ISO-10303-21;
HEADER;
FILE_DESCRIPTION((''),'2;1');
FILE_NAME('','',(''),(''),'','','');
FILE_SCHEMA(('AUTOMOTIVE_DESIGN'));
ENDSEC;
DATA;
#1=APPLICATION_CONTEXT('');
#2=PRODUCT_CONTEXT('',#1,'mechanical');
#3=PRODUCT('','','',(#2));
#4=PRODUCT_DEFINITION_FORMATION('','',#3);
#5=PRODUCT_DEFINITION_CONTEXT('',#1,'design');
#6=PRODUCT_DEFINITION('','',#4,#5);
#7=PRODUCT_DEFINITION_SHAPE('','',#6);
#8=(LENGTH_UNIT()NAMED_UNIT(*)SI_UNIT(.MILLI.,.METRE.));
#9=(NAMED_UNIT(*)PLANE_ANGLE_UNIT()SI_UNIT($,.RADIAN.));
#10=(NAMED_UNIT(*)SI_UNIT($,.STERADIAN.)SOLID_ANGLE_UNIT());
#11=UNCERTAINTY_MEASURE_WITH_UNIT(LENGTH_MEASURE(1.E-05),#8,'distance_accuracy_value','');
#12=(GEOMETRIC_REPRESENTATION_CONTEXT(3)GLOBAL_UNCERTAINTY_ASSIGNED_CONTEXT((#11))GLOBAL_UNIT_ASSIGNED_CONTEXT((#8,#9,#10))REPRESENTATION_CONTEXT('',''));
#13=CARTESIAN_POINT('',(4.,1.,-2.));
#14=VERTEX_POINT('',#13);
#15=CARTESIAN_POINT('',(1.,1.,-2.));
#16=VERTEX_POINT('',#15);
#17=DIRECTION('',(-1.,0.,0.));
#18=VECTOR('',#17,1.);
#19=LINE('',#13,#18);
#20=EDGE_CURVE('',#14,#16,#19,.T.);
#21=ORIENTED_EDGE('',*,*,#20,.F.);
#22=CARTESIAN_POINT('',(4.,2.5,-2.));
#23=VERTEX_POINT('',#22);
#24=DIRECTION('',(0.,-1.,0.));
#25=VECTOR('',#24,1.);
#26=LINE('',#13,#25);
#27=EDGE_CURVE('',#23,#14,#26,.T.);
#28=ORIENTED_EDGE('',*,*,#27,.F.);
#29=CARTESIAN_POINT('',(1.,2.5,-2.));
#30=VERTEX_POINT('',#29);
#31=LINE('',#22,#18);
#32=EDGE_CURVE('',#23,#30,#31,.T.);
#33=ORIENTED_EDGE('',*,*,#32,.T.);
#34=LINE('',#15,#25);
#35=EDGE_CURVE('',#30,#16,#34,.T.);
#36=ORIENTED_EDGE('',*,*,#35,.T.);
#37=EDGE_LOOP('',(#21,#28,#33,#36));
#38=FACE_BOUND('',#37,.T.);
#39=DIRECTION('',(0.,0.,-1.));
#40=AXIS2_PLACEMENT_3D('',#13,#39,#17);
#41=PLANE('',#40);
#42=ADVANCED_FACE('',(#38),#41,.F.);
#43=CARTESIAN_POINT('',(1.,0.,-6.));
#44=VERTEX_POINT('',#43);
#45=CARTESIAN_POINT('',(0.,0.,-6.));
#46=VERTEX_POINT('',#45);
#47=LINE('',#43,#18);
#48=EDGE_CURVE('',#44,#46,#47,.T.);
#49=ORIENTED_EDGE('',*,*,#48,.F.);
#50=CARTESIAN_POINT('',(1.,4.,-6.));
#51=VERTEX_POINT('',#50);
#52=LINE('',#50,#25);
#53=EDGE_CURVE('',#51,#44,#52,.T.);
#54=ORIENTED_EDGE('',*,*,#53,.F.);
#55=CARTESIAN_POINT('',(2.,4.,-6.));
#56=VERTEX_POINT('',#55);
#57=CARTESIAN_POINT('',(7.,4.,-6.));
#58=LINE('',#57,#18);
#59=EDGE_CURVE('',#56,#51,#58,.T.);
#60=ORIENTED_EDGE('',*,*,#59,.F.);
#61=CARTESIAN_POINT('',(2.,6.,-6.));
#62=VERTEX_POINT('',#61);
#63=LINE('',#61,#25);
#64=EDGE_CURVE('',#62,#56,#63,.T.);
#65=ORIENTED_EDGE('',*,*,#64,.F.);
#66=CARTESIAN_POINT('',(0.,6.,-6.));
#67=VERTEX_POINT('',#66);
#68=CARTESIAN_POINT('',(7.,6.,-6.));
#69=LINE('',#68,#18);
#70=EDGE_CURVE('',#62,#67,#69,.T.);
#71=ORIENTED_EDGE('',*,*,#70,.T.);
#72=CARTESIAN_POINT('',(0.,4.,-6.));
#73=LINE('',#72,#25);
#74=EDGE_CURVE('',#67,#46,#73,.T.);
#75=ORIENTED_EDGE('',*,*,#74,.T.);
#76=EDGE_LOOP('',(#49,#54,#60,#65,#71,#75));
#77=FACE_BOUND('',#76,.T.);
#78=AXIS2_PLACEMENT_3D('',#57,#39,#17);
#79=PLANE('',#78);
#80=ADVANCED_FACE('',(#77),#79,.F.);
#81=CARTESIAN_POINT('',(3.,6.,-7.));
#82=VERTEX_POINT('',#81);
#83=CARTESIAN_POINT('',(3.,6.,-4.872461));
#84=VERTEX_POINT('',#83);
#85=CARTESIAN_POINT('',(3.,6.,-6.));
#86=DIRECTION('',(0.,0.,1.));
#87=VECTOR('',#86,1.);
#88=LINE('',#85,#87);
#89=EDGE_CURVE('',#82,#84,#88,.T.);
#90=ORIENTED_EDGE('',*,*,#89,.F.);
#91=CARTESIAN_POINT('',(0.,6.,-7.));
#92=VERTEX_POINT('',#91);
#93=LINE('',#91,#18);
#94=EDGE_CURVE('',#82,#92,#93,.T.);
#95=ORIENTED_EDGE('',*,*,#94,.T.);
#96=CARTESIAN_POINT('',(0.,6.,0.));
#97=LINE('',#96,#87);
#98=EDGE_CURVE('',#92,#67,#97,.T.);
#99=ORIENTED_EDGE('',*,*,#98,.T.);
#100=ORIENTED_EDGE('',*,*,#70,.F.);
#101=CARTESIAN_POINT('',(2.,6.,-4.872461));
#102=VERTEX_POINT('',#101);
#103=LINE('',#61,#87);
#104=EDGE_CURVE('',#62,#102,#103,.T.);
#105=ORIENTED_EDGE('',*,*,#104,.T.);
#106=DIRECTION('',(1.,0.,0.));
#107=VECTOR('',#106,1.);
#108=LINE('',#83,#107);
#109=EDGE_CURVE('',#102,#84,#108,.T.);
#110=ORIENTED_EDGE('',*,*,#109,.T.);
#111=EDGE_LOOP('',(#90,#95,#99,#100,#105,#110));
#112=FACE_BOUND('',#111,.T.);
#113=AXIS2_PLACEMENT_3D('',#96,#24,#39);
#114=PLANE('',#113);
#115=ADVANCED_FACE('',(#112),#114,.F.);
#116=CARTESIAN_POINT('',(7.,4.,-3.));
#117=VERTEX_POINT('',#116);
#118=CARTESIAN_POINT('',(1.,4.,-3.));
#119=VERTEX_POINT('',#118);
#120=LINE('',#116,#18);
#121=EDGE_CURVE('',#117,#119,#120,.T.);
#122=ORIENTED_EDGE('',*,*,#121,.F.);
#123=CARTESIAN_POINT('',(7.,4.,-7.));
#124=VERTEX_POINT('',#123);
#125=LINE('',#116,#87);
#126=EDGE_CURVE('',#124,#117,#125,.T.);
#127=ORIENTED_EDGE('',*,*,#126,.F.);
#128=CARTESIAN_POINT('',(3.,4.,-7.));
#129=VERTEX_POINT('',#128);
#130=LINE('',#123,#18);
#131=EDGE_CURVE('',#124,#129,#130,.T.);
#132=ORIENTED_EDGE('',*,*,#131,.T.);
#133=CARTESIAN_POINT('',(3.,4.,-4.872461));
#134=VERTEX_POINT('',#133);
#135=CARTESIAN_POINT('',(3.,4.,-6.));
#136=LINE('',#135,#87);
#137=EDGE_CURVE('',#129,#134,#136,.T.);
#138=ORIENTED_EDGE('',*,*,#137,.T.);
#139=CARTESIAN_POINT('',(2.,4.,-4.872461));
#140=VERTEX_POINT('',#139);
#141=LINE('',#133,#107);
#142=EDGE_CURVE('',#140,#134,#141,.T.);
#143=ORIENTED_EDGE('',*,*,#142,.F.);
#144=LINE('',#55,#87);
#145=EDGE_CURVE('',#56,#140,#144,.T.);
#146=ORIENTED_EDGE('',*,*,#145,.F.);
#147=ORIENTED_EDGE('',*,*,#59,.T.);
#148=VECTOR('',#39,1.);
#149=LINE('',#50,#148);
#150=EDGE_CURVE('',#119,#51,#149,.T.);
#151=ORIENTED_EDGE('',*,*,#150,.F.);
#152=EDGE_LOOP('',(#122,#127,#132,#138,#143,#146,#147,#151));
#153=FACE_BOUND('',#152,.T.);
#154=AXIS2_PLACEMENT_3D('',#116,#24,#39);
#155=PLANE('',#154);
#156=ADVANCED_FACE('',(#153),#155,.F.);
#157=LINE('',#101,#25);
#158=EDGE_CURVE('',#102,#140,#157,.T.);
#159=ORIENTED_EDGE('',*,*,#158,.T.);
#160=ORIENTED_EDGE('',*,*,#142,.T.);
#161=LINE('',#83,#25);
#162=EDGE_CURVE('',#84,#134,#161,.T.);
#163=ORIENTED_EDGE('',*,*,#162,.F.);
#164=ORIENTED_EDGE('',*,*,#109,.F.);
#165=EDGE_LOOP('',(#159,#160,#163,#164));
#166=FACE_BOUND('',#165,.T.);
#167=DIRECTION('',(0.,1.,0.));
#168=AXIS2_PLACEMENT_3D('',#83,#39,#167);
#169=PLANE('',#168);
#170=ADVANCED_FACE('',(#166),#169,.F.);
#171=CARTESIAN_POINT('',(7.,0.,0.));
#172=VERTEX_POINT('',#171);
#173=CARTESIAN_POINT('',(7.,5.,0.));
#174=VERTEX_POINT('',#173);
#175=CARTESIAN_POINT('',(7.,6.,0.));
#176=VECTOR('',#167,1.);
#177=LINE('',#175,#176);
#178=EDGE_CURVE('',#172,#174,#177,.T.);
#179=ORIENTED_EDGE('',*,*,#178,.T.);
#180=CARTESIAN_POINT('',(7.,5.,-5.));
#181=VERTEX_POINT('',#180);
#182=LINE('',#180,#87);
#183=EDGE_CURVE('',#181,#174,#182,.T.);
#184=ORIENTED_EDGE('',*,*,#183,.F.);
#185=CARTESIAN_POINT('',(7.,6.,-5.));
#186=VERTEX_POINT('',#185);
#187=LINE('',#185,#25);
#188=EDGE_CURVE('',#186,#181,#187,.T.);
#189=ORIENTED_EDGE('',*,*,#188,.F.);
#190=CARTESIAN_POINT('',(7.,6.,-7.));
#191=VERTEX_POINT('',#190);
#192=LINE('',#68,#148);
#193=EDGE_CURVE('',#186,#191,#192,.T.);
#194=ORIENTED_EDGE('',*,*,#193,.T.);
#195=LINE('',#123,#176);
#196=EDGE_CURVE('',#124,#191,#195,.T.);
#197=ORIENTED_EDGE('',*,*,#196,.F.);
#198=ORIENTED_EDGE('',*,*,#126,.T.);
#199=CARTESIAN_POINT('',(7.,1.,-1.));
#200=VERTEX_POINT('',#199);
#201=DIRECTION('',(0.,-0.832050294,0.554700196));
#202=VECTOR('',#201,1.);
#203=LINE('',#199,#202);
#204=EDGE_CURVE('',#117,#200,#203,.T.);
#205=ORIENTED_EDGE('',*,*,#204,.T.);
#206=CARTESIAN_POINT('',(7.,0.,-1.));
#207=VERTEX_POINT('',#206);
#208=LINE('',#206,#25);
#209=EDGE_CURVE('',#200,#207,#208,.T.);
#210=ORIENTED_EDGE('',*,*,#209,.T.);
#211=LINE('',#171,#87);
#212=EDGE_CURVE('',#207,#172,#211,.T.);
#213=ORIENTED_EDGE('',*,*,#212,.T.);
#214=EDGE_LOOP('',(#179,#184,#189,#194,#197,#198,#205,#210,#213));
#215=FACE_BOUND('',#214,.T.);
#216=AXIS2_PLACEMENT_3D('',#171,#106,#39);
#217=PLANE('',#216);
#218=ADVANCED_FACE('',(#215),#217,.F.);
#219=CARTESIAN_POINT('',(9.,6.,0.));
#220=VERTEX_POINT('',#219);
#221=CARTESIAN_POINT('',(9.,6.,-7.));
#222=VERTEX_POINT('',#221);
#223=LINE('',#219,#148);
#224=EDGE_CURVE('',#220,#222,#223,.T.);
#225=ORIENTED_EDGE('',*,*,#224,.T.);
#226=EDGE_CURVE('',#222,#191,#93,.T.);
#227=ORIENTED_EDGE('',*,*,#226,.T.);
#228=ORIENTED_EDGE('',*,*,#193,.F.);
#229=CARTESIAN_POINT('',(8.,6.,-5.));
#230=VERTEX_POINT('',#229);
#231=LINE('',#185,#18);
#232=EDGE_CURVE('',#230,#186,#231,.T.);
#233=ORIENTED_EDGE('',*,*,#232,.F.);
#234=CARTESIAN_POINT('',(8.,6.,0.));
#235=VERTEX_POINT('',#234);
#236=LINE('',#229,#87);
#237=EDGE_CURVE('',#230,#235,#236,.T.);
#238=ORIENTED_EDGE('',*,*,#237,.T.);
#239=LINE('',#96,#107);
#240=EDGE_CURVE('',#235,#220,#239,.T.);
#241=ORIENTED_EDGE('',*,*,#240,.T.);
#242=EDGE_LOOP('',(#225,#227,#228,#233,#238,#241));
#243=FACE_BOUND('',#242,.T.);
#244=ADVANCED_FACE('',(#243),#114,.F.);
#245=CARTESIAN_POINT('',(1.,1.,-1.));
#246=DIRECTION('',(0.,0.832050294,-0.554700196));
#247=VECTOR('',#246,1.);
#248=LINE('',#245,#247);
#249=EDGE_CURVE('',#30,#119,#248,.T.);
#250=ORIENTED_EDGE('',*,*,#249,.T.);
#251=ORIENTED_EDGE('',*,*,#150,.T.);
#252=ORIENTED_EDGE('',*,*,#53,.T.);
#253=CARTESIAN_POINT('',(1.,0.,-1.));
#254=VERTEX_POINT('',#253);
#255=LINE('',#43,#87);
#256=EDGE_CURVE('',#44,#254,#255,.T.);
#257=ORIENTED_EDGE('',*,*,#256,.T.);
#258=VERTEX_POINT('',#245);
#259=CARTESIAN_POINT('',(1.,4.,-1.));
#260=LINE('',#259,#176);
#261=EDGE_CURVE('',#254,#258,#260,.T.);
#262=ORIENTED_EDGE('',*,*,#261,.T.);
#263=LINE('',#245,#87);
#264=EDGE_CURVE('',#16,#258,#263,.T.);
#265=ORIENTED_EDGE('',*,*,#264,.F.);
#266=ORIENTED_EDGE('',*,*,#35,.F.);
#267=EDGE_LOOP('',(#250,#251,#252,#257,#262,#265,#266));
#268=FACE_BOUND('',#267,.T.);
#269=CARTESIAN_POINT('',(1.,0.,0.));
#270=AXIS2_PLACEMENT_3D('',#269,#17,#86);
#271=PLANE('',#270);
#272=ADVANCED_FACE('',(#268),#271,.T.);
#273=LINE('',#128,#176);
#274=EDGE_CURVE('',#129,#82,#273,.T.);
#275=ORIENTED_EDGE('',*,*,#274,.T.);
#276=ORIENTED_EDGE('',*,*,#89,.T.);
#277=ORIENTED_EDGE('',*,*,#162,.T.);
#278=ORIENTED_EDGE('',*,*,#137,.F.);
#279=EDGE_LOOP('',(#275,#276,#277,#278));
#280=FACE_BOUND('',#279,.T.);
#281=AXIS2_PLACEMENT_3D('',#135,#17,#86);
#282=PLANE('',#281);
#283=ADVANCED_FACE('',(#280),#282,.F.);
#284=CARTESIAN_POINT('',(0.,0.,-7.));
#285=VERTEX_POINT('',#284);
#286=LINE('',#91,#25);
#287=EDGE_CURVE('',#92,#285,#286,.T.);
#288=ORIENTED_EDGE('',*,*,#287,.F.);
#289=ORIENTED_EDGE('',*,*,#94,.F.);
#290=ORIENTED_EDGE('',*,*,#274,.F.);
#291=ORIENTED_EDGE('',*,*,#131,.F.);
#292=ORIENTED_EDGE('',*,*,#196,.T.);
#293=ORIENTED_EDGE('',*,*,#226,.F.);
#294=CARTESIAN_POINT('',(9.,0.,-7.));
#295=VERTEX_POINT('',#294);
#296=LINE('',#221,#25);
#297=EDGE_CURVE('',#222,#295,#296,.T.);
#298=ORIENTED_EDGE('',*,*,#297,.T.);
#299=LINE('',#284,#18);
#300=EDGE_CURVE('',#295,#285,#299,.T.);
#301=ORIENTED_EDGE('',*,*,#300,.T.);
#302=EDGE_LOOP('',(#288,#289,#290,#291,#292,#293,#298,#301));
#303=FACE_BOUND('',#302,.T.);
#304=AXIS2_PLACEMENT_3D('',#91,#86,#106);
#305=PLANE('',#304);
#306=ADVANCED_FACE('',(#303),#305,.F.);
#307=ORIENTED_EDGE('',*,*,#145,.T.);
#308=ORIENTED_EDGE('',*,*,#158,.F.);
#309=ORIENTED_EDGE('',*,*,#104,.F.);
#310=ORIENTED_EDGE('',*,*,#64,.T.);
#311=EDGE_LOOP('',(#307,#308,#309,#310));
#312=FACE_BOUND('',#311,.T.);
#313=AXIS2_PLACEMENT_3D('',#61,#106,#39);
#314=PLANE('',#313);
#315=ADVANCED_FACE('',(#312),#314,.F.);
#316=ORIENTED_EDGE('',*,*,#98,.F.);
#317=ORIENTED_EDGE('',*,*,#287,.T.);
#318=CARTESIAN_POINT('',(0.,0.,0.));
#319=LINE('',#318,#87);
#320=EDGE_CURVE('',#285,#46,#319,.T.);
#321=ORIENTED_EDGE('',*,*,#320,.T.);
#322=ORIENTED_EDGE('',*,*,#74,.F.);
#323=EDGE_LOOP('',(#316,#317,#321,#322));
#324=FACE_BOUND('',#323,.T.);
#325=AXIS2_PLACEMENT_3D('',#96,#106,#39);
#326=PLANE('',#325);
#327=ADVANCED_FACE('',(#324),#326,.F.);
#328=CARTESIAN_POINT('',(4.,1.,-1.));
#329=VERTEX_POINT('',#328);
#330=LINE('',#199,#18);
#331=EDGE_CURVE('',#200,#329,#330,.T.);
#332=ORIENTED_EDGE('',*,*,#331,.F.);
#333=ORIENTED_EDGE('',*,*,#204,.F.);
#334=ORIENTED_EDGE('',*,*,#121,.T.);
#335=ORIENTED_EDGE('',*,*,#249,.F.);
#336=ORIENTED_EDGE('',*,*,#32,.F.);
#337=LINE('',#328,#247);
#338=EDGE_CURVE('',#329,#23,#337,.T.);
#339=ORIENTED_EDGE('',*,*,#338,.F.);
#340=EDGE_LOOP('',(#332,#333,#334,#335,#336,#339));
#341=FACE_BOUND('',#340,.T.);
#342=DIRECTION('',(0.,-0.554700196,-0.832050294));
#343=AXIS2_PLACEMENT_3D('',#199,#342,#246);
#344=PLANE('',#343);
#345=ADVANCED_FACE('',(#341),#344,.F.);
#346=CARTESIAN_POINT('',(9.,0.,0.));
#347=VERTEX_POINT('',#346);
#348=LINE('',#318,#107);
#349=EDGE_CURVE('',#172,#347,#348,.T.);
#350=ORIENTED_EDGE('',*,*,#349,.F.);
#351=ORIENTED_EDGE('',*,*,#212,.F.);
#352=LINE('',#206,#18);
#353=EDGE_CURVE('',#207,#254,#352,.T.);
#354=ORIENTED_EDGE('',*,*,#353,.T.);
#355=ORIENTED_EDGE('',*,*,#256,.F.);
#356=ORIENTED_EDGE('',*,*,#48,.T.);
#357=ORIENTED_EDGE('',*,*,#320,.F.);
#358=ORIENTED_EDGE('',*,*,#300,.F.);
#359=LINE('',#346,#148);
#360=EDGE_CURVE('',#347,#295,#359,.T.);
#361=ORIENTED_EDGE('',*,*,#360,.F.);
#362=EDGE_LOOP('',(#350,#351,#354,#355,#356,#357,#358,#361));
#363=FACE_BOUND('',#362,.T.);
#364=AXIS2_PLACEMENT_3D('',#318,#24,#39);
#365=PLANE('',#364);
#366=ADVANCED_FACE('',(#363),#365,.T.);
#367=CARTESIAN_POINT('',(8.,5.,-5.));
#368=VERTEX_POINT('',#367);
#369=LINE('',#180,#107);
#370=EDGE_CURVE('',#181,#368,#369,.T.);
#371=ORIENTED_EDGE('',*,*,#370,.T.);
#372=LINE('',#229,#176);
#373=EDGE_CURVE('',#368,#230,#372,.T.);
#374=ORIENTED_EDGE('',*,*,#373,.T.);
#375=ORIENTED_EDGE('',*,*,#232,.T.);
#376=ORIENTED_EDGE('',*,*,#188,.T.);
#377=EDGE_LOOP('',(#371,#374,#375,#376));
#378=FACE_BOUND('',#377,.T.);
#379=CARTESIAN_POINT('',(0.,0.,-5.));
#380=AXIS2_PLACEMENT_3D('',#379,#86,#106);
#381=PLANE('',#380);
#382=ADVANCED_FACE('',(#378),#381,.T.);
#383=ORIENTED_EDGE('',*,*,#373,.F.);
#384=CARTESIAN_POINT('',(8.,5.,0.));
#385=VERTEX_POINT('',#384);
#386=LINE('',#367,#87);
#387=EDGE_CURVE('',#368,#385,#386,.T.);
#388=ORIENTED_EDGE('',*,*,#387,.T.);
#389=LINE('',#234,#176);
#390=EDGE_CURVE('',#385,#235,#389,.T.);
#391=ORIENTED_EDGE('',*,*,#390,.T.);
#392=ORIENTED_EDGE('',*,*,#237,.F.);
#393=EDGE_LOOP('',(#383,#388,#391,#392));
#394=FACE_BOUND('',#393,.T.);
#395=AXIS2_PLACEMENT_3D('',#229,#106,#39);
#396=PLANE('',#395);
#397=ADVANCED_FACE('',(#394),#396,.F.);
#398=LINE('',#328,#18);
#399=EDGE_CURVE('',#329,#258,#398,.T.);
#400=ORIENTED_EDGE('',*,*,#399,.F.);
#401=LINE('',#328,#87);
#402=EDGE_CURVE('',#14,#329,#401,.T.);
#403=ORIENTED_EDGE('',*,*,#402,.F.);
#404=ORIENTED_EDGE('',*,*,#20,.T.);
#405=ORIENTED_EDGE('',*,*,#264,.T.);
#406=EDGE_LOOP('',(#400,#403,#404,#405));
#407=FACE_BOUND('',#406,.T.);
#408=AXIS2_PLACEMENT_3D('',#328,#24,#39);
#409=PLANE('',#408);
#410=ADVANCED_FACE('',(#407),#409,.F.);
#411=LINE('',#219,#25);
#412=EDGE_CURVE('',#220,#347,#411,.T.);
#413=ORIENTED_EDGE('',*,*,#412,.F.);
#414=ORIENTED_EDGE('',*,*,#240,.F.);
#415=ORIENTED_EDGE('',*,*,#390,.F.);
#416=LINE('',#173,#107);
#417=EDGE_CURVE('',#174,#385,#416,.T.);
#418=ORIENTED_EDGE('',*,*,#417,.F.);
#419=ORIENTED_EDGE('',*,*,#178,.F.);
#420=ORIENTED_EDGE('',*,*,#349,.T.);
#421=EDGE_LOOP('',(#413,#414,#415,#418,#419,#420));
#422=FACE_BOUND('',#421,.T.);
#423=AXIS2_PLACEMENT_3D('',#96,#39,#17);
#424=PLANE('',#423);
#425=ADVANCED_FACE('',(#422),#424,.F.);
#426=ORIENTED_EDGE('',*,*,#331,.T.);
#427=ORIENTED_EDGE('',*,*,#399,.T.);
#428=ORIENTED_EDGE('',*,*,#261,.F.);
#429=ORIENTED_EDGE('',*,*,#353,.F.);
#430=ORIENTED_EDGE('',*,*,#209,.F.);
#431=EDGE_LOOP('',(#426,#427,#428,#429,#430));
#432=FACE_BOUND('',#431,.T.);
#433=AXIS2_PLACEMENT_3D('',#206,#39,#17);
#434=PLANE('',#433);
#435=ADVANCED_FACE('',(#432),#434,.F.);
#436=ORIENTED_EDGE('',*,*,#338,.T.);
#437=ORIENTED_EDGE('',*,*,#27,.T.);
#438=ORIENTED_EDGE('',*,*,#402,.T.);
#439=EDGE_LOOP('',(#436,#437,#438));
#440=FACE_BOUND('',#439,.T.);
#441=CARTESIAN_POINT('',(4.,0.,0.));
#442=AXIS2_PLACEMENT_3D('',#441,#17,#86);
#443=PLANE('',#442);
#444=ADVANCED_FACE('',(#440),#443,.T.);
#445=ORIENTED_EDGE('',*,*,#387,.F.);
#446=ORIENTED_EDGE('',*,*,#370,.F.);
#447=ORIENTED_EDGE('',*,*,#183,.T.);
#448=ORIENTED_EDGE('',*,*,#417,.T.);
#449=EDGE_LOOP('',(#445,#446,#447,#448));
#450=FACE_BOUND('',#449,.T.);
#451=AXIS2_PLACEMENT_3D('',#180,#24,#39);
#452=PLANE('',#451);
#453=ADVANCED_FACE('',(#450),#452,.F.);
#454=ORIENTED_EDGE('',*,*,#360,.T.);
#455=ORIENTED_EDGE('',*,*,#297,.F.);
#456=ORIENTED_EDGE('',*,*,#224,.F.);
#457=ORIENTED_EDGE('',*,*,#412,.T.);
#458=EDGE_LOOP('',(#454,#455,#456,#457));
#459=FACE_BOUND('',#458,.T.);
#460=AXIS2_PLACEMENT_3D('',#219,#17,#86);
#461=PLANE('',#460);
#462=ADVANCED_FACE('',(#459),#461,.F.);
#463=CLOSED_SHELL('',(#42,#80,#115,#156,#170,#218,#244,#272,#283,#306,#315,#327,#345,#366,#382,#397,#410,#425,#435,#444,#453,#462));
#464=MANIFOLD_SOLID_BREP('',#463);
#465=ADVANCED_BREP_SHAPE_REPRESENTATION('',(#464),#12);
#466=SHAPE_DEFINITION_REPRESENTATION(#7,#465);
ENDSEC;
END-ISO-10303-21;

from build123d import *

# Parameters (mm, degrees)
SKETCH1_W           = 9
SKETCH1_H           = 7
BOSS_EXTRUDE1_DEPTH = 6
CUT_EXTRUDE1_DEPTH  = 7
SKETCH3_W           = 5
SKETCH3_H           = 4
CUT_EXTRUDE2_DEPTH  = 1
SKETCH4_W           = 1
SKETCH4_H           = 1
CUT_EXTRUDE3_DEPTH  = 5
SKETCH5_W           = 1
SKETCH5_H           = 1.5
CUT_EXTRUDE4_DEPTH  = 3
SKETCH6_W           = 4
SKETCH6_H           = 1
CUT_EXTRUDE5_DEPTH  = 2
SKETCH7_W           = 1
SKETCH7_H           = 1.127539311
BOSS_EXTRUDE2_DEPTH = 2


with BuildPart() as part:
    # Sketch1 → Boss-Extrude1 (new body)
    with BuildSketch(Plane(origin=(0, 0, 0), x_dir=(1, 0, 0), z_dir=(0, 1, 0))):
        with Locations((4.5, 3.5)):
            Rectangle(SKETCH1_W, SKETCH1_H)
    extrude(amount=BOSS_EXTRUDE1_DEPTH)

    # Sketch2 → Cut-Extrude1 (cut)
    with BuildSketch(Plane.ZY):
        Polygon((0, 0), (-1, 0), (-1, 1), (-3, 4), (-6, 4), (-6, 6), (0, 6), align=None)
    extrude(amount=-CUT_EXTRUDE1_DEPTH, mode=Mode.SUBTRACT)

    # Sketch3 → Cut-Extrude2 (cut)
    with BuildSketch(Plane.ZY):
        with Locations((-3.5, 2)):
            Rectangle(SKETCH3_W, SKETCH3_H)
    extrude(amount=-CUT_EXTRUDE2_DEPTH, mode=Mode.SUBTRACT)

    # Sketch4 → Cut-Extrude3 (cut)
    with BuildSketch(Plane.XY):
        with Locations((7.5, 5.5)):
            Rectangle(SKETCH4_W, SKETCH4_H)
    extrude(amount=-CUT_EXTRUDE3_DEPTH, mode=Mode.SUBTRACT)

    # Sketch5 → Cut-Extrude4 (cut)
    with BuildSketch(Plane.ZY.offset(-1)):
        with Locations((-1.5, 1.75)):
            Rectangle(SKETCH5_W, SKETCH5_H)
    extrude(amount=-CUT_EXTRUDE4_DEPTH, mode=Mode.SUBTRACT)

    # Sketch6 → Cut-Extrude5 (cut)
    with BuildSketch(Plane(origin=(0, 6, 0), x_dir=(1, 0, 0), z_dir=(0, 1, 0))):
        with Locations((5, 6.5)):
            Rectangle(SKETCH6_W, SKETCH6_H)
    extrude(amount=-CUT_EXTRUDE5_DEPTH, mode=Mode.SUBTRACT)

    # Sketch7 → Boss-Extrude2 (add)
    with BuildSketch(Plane(origin=(0, 4, 0), x_dir=(1, 0, 0), z_dir=(0, 1, 0))):
        with Locations((2.5, 5.436230345)):
            Rectangle(SKETCH7_W, SKETCH7_H)
    extrude(amount=BOSS_EXTRUDE2_DEPTH)


solid = part.part
